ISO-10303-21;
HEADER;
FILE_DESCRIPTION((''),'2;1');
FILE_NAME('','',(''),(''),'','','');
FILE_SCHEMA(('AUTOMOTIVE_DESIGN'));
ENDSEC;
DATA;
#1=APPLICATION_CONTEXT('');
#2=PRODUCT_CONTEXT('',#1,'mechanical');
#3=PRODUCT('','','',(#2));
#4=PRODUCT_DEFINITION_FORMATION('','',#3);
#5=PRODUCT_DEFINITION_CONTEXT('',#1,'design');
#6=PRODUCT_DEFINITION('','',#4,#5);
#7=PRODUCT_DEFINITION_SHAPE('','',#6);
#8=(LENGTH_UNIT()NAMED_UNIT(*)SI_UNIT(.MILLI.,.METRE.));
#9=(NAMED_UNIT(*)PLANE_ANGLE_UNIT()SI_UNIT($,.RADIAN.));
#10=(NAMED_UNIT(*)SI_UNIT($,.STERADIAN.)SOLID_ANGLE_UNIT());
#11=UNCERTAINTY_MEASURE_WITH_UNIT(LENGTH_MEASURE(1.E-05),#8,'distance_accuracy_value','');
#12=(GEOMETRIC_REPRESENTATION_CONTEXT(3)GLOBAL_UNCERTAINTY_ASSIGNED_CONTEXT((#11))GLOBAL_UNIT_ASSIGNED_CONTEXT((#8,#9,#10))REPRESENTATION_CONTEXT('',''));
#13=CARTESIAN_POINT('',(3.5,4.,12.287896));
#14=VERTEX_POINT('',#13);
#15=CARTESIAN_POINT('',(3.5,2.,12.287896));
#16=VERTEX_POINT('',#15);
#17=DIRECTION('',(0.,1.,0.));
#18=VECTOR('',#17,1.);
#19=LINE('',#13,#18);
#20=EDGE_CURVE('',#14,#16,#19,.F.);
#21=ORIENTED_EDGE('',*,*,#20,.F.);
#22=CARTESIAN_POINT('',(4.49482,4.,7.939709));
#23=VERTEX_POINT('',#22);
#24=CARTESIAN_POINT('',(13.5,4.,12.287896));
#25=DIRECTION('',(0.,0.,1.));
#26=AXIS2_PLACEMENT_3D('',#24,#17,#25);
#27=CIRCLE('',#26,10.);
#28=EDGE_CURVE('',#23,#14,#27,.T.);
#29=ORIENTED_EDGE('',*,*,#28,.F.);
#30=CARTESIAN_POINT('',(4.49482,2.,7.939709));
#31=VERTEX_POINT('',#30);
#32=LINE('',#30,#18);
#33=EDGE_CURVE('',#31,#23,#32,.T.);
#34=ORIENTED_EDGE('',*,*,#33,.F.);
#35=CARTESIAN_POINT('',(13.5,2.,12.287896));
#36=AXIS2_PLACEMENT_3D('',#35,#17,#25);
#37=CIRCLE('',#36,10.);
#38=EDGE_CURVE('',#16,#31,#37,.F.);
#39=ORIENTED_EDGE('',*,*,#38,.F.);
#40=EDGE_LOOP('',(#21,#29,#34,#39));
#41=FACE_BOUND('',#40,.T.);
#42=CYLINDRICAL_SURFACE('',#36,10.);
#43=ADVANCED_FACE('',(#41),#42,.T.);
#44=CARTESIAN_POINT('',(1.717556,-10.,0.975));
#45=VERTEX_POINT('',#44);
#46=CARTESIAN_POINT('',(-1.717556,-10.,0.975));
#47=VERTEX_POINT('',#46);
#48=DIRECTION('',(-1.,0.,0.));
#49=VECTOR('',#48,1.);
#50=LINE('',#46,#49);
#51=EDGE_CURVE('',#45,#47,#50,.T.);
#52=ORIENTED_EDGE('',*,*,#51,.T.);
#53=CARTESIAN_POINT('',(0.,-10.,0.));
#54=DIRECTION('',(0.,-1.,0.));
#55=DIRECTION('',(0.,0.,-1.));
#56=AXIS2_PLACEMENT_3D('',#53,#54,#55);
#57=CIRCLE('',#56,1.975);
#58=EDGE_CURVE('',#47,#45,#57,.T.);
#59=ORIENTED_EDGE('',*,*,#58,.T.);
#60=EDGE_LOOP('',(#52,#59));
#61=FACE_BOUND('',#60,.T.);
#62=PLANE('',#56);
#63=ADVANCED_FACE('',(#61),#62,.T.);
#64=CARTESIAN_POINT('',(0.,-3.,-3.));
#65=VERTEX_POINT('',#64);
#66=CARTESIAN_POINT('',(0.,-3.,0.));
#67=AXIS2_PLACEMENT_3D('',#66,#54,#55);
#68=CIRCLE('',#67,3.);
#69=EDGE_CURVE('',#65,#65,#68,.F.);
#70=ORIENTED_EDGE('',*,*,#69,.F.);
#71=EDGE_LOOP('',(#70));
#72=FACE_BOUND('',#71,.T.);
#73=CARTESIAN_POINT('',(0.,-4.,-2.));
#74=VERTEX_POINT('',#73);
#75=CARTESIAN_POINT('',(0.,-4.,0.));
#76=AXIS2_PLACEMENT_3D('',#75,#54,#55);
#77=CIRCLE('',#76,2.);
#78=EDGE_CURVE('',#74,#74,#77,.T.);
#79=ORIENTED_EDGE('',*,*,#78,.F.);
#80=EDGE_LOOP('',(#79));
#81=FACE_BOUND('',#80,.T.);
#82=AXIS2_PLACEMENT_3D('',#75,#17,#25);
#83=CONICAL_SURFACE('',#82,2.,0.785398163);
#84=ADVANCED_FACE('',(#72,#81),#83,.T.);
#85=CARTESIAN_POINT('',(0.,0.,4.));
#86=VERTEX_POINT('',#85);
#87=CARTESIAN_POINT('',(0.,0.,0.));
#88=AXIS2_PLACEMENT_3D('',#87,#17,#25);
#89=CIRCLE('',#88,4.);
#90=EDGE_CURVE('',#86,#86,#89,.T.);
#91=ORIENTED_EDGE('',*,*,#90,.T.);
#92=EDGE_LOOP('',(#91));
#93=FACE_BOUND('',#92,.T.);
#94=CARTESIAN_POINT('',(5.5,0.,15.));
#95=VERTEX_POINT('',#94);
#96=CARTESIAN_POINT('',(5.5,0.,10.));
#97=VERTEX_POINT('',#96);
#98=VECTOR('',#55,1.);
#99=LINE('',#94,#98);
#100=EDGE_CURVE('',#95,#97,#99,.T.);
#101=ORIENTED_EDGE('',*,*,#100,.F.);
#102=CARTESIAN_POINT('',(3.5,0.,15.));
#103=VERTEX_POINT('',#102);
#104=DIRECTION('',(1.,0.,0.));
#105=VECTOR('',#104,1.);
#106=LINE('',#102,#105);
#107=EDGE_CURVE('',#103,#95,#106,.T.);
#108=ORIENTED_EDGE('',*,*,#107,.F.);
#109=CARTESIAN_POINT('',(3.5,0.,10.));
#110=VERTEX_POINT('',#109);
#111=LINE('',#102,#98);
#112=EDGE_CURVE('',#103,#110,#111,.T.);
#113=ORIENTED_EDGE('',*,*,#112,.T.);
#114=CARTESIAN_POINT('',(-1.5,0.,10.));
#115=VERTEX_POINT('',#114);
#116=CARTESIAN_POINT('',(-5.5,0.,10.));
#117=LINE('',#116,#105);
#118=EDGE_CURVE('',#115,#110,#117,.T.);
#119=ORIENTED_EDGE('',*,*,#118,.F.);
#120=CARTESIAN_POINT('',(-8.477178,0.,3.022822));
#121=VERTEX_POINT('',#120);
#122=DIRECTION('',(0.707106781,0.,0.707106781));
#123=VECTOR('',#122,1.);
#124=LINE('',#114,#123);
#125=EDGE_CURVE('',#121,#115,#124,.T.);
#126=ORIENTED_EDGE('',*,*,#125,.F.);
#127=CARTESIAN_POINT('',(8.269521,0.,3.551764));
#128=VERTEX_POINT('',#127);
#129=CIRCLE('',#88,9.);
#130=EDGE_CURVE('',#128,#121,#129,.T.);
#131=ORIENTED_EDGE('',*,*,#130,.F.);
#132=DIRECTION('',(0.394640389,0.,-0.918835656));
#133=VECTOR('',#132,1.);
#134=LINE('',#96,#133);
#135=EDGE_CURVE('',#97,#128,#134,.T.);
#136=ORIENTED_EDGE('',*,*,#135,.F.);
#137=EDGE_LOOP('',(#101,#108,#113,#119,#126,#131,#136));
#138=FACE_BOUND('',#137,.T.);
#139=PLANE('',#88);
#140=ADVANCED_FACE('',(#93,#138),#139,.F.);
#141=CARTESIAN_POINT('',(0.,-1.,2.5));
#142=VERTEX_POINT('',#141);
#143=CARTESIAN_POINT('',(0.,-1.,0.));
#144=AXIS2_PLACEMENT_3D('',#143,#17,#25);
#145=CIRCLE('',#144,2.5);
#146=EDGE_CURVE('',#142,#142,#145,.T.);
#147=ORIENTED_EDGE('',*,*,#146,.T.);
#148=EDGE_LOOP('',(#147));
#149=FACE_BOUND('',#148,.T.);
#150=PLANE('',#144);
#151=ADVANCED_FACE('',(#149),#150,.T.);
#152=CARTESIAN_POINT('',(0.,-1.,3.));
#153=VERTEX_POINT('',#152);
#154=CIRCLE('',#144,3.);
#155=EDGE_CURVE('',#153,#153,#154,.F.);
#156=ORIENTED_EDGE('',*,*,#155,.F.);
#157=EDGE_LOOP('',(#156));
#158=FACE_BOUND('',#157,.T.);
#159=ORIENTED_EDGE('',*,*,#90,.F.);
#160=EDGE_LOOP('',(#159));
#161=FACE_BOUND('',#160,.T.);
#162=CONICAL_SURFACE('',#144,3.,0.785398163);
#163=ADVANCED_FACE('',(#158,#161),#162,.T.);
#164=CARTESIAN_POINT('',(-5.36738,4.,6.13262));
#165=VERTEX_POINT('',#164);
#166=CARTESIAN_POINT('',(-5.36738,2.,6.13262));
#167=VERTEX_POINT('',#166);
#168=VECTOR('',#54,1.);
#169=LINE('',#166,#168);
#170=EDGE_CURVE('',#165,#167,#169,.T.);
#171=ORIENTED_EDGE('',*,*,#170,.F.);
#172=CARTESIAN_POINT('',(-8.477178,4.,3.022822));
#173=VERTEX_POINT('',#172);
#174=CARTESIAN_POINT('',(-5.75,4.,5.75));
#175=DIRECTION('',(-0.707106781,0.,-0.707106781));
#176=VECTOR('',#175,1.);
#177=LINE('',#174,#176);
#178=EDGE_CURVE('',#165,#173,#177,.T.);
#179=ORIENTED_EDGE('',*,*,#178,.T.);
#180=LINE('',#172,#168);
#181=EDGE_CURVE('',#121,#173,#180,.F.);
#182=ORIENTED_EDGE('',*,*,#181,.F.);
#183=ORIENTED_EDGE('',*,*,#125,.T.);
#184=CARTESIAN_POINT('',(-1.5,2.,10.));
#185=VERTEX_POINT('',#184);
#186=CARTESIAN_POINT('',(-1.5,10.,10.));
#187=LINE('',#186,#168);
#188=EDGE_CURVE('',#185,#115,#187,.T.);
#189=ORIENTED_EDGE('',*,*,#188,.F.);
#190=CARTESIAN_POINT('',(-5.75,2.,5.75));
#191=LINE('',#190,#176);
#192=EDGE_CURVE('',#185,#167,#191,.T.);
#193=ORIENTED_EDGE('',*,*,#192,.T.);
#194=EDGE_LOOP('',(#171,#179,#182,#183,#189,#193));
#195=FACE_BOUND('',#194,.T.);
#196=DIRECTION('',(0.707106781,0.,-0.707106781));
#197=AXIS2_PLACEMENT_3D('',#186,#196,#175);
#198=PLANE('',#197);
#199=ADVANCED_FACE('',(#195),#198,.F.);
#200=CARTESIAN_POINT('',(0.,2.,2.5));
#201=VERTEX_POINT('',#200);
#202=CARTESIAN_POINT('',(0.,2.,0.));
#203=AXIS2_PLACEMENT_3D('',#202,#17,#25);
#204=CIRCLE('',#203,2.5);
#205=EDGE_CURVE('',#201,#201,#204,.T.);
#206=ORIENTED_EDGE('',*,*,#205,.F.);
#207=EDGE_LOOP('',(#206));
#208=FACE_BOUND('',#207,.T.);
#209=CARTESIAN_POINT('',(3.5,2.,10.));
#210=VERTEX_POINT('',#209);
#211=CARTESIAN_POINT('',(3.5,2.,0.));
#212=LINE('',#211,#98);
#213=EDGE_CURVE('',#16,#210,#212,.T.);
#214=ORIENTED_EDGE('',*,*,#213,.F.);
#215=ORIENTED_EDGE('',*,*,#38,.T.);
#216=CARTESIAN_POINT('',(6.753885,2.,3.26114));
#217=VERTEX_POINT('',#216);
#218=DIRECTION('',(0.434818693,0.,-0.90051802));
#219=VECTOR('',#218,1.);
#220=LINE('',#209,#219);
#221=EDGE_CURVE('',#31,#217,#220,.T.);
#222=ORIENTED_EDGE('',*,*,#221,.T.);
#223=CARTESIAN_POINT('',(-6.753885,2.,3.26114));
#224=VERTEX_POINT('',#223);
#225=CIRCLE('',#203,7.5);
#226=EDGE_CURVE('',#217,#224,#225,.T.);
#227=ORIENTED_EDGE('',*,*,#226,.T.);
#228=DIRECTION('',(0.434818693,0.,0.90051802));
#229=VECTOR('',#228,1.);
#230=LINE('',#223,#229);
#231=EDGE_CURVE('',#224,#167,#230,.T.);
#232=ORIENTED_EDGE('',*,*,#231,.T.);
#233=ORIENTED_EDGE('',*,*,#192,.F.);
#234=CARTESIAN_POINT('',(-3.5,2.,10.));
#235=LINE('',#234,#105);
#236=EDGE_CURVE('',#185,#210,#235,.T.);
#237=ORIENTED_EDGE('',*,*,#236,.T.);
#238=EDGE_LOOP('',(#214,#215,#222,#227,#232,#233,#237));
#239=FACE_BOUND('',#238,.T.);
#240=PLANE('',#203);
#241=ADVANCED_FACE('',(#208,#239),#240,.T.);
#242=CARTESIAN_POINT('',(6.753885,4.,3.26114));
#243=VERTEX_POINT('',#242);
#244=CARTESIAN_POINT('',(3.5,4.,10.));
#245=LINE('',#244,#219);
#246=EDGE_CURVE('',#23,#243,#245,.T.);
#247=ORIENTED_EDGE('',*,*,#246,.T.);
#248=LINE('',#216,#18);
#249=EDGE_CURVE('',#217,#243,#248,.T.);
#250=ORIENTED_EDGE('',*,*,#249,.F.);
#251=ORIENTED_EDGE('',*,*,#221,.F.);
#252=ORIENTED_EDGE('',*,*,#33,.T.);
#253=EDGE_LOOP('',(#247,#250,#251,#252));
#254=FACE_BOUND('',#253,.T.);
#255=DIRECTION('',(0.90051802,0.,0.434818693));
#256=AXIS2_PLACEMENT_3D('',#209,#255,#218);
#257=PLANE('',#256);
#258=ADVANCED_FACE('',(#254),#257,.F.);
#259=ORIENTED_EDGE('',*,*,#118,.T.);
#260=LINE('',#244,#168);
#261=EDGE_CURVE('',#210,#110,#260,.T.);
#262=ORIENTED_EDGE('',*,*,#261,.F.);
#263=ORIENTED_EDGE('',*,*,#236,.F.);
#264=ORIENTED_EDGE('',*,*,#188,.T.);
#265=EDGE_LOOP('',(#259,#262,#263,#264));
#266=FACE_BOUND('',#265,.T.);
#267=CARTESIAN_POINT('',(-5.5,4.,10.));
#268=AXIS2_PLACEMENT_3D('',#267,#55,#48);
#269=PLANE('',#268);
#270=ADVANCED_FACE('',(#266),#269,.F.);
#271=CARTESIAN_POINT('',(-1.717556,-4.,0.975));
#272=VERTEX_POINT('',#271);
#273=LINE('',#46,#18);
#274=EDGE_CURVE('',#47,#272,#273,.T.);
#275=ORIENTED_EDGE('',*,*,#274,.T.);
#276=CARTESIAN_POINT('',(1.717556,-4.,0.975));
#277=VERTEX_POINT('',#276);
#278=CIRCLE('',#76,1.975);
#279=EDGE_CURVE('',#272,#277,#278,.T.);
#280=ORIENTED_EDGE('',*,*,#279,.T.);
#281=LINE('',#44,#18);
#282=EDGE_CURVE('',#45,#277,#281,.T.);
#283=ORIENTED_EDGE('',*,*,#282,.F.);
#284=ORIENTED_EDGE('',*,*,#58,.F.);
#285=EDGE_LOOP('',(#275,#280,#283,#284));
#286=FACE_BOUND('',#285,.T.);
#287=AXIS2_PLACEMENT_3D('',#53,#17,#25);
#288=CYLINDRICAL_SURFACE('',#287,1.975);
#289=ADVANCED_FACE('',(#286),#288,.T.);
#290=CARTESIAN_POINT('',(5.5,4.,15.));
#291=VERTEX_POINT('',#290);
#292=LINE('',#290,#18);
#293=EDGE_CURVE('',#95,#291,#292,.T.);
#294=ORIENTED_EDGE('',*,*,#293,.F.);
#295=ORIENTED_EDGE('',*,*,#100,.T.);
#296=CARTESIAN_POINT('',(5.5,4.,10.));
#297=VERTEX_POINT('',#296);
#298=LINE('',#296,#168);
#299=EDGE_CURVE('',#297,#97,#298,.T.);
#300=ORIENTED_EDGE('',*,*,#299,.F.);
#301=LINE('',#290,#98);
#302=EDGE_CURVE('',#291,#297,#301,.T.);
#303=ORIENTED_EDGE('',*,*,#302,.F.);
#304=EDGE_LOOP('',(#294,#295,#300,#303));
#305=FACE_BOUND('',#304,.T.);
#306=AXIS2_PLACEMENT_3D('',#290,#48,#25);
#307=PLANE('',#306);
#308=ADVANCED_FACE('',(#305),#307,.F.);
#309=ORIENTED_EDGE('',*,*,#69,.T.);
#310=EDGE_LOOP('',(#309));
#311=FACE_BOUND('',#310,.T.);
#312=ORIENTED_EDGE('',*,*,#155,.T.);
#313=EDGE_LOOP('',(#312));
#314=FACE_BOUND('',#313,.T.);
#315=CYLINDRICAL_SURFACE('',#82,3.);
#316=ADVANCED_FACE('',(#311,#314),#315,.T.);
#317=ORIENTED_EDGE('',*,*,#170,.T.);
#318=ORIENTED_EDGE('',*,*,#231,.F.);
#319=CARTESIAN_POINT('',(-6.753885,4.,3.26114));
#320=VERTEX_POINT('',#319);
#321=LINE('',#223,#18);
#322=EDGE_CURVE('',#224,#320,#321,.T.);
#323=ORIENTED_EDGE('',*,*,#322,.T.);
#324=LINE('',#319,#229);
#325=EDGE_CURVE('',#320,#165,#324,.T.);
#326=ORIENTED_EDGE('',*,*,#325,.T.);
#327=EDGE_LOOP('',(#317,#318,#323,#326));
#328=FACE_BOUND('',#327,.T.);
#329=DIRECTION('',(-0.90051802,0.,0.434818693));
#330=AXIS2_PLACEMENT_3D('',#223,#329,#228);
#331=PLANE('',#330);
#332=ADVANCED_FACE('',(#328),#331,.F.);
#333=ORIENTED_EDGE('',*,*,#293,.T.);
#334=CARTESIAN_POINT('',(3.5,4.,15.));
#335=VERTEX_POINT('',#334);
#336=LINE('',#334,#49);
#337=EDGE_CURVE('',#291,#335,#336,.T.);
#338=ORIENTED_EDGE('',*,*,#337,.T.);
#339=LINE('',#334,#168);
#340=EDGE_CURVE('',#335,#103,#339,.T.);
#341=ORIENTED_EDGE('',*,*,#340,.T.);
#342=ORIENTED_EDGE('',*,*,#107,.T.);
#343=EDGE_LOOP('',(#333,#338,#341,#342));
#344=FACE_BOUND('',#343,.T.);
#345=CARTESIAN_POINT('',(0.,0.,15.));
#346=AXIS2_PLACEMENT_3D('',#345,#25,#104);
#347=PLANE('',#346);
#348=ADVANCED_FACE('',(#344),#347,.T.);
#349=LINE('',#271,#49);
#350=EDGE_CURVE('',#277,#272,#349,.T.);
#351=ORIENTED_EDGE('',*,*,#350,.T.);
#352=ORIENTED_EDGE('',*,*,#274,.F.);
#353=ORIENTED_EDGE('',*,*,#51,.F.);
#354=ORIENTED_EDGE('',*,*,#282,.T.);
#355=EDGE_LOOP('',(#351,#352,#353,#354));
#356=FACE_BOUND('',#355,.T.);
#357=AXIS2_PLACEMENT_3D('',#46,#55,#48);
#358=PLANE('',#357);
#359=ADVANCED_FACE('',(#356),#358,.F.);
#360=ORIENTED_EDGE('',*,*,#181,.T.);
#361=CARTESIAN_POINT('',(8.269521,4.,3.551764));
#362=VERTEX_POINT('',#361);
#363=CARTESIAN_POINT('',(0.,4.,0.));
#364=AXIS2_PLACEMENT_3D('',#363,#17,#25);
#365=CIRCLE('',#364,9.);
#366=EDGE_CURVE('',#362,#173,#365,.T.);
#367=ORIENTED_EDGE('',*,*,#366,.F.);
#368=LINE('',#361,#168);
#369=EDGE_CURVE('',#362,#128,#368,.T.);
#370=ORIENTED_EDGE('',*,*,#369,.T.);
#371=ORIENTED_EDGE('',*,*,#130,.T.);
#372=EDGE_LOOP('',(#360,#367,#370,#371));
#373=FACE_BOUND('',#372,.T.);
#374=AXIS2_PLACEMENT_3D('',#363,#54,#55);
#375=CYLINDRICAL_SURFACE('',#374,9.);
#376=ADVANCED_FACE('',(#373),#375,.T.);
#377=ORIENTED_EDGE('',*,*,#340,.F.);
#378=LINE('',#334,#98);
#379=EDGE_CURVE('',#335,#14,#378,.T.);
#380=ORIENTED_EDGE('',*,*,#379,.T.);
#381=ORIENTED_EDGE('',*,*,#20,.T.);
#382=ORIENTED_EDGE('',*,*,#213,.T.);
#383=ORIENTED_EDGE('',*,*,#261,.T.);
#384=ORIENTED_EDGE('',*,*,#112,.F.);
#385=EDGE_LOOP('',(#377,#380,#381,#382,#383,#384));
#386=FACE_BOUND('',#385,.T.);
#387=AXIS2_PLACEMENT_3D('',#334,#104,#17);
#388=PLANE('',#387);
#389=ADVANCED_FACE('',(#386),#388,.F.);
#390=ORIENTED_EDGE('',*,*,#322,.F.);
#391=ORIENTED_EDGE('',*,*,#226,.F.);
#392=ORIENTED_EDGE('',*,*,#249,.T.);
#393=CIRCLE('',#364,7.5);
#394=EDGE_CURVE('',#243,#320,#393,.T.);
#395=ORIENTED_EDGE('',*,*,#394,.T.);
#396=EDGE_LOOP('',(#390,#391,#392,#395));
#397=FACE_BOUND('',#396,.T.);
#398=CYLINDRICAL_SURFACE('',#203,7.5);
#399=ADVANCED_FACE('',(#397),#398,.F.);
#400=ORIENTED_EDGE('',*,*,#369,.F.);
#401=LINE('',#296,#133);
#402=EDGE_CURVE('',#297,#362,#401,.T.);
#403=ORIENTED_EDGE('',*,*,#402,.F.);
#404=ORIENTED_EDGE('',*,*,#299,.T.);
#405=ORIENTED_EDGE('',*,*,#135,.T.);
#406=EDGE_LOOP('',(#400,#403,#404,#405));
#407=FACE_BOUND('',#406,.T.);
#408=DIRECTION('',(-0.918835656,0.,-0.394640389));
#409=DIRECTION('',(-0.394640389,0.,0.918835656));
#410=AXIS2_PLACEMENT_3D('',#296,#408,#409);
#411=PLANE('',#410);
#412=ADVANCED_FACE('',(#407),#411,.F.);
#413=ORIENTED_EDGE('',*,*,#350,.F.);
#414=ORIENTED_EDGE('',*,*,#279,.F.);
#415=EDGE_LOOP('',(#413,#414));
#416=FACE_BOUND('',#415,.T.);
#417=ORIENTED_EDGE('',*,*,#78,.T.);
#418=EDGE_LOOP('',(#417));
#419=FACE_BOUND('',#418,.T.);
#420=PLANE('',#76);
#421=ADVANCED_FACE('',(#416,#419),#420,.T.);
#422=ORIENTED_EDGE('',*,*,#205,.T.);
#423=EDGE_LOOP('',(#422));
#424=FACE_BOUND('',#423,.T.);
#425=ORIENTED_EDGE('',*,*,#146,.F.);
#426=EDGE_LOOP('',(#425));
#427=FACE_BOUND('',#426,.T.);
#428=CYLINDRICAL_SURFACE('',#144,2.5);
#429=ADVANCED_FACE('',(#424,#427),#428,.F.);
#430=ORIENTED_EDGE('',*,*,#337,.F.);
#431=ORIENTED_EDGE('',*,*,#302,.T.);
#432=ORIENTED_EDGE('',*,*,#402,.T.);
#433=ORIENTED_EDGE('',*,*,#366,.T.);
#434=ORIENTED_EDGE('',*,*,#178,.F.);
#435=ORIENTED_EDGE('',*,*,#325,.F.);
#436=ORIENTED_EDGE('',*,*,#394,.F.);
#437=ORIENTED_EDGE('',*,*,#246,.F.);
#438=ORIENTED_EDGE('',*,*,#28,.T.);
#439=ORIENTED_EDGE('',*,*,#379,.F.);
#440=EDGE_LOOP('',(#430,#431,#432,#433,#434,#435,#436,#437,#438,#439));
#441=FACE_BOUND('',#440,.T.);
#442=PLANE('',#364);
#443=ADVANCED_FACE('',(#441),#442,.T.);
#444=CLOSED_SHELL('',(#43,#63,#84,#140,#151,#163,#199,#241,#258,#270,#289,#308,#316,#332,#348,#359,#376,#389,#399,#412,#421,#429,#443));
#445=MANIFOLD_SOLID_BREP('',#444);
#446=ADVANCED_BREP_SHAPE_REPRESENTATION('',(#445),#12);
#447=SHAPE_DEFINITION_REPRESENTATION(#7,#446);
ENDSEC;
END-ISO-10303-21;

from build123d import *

# Parameters (mm, degrees)
BOSS_EXTRUDE1_DEPTH = 4
CUT_EXTRUDE1_DEPTH  = 2
BOSS_EXTRUDE2_DEPTH = 10
SKETCH4_R           = 3
BOSS_EXTRUDE3_DEPTH = 4
SKETCH5_R           = 2.5
CUT_EXTRUDE2_DEPTH  = 3
CHAMFER1_SIZE       = 1
SKETCH6_W           = 2
SKETCH6_H           = 4
BOSS_EXTRUDE4_DEPTH = 5
FILLET1_R           = 10
CUT_EXTRUDE3_DEPTH  = 10


with BuildPart() as part:
    # Sketch1 → Boss-Extrude1 (new body)
    with BuildSketch(Plane(origin=(0, 0, 0), x_dir=(1, 0, 0), z_dir=(0, 1, 0))):
        with BuildLine():
            Line((-8.269520907, -3.551763501), (-5.5, -10))
            Line((-5.5, -10), (5.5, -10))
            Line((5.5, -10), (8.269520907, -3.551763501))
            ThreePointArc((8.269520907, -3.551763501), (0, 9), (-8.269520907, -3.551763501))
        make_face()
    extrude(amount=BOSS_EXTRUDE1_DEPTH)

    # Sketch2 → Cut-Extrude1 (cut)
    with BuildSketch(Plane(origin=(0, 4, 0), x_dir=(1, 0, 0), z_dir=(0, 1, 0))):
        with BuildLine():
            Line((-6.753885149, -3.261140198), (-3.5, -10))
            Line((-3.5, -10), (3.5, -10))
            Line((3.5, -10), (6.753885149, -3.261140198))
            ThreePointArc((6.753885149, -3.261140198), (0, 7.5), (-6.753885149, -3.261140198))
        make_face()
    extrude(amount=-CUT_EXTRUDE1_DEPTH, mode=Mode.SUBTRACT)

    # Sketch3 → Boss-Extrude2 (add)
    with BuildSketch(Plane.XZ):
        with BuildLine():
            Line((-1.717556404, 0.975), (1.717556404, 0.975))
            ThreePointArc((1.717556404, 0.975), (0, -1.975), (-1.717556404, 0.975))
        make_face()
    extrude(amount=BOSS_EXTRUDE2_DEPTH)

    # Sketch4 → Boss-Extrude3 (add)
    with BuildSketch(Plane.XZ):
        with Locations(Location((0, 0, 0), (0, 0, 90))):
            Circle(SKETCH4_R)
    extrude(amount=BOSS_EXTRUDE3_DEPTH)

    # Sketch5 → Cut-Extrude2 (cut)
    with BuildSketch(Plane(origin=(0, 2, 0), x_dir=(1, 0, 0), z_dir=(0, 1, 0))):
        with Locations(Location((0, 0, 0), (0, 0, 270))):
            Circle(SKETCH5_R)
    extrude(amount=-CUT_EXTRUDE2_DEPTH, mode=Mode.SUBTRACT)

    # Chamfer1
    chamfer1_edges = [part.edges().sort_by_distance(p)[0] for p in [
        (0, 0, -3),
        (0, -4, -3),
    ]]
    chamfer(chamfer1_edges, length=CHAMFER1_SIZE)

    # Sketch6 → Boss-Extrude4 (add)
    with BuildSketch(Plane.XY.offset(10)):
        with Locations((4.5, 2)):
            Rectangle(SKETCH6_W, SKETCH6_H)
    extrude(amount=BOSS_EXTRUDE4_DEPTH)

    # Fillet1
    fillet1_edges = [part.edges().sort_by_distance(p)[0] for p in [
        (3.5, 3, 10),
    ]]
    fillet(fillet1_edges, radius=FILLET1_R)

    # Sketch8 → Cut-Extrude3 (cut)
    with BuildSketch(Plane.XZ):
        Polygon((-5.5, 10), (-1.5, 10), (-8.511399863, 2.988600137), align=None)
    extrude(amount=-CUT_EXTRUDE3_DEPTH, mode=Mode.SUBTRACT)


solid = part.part
